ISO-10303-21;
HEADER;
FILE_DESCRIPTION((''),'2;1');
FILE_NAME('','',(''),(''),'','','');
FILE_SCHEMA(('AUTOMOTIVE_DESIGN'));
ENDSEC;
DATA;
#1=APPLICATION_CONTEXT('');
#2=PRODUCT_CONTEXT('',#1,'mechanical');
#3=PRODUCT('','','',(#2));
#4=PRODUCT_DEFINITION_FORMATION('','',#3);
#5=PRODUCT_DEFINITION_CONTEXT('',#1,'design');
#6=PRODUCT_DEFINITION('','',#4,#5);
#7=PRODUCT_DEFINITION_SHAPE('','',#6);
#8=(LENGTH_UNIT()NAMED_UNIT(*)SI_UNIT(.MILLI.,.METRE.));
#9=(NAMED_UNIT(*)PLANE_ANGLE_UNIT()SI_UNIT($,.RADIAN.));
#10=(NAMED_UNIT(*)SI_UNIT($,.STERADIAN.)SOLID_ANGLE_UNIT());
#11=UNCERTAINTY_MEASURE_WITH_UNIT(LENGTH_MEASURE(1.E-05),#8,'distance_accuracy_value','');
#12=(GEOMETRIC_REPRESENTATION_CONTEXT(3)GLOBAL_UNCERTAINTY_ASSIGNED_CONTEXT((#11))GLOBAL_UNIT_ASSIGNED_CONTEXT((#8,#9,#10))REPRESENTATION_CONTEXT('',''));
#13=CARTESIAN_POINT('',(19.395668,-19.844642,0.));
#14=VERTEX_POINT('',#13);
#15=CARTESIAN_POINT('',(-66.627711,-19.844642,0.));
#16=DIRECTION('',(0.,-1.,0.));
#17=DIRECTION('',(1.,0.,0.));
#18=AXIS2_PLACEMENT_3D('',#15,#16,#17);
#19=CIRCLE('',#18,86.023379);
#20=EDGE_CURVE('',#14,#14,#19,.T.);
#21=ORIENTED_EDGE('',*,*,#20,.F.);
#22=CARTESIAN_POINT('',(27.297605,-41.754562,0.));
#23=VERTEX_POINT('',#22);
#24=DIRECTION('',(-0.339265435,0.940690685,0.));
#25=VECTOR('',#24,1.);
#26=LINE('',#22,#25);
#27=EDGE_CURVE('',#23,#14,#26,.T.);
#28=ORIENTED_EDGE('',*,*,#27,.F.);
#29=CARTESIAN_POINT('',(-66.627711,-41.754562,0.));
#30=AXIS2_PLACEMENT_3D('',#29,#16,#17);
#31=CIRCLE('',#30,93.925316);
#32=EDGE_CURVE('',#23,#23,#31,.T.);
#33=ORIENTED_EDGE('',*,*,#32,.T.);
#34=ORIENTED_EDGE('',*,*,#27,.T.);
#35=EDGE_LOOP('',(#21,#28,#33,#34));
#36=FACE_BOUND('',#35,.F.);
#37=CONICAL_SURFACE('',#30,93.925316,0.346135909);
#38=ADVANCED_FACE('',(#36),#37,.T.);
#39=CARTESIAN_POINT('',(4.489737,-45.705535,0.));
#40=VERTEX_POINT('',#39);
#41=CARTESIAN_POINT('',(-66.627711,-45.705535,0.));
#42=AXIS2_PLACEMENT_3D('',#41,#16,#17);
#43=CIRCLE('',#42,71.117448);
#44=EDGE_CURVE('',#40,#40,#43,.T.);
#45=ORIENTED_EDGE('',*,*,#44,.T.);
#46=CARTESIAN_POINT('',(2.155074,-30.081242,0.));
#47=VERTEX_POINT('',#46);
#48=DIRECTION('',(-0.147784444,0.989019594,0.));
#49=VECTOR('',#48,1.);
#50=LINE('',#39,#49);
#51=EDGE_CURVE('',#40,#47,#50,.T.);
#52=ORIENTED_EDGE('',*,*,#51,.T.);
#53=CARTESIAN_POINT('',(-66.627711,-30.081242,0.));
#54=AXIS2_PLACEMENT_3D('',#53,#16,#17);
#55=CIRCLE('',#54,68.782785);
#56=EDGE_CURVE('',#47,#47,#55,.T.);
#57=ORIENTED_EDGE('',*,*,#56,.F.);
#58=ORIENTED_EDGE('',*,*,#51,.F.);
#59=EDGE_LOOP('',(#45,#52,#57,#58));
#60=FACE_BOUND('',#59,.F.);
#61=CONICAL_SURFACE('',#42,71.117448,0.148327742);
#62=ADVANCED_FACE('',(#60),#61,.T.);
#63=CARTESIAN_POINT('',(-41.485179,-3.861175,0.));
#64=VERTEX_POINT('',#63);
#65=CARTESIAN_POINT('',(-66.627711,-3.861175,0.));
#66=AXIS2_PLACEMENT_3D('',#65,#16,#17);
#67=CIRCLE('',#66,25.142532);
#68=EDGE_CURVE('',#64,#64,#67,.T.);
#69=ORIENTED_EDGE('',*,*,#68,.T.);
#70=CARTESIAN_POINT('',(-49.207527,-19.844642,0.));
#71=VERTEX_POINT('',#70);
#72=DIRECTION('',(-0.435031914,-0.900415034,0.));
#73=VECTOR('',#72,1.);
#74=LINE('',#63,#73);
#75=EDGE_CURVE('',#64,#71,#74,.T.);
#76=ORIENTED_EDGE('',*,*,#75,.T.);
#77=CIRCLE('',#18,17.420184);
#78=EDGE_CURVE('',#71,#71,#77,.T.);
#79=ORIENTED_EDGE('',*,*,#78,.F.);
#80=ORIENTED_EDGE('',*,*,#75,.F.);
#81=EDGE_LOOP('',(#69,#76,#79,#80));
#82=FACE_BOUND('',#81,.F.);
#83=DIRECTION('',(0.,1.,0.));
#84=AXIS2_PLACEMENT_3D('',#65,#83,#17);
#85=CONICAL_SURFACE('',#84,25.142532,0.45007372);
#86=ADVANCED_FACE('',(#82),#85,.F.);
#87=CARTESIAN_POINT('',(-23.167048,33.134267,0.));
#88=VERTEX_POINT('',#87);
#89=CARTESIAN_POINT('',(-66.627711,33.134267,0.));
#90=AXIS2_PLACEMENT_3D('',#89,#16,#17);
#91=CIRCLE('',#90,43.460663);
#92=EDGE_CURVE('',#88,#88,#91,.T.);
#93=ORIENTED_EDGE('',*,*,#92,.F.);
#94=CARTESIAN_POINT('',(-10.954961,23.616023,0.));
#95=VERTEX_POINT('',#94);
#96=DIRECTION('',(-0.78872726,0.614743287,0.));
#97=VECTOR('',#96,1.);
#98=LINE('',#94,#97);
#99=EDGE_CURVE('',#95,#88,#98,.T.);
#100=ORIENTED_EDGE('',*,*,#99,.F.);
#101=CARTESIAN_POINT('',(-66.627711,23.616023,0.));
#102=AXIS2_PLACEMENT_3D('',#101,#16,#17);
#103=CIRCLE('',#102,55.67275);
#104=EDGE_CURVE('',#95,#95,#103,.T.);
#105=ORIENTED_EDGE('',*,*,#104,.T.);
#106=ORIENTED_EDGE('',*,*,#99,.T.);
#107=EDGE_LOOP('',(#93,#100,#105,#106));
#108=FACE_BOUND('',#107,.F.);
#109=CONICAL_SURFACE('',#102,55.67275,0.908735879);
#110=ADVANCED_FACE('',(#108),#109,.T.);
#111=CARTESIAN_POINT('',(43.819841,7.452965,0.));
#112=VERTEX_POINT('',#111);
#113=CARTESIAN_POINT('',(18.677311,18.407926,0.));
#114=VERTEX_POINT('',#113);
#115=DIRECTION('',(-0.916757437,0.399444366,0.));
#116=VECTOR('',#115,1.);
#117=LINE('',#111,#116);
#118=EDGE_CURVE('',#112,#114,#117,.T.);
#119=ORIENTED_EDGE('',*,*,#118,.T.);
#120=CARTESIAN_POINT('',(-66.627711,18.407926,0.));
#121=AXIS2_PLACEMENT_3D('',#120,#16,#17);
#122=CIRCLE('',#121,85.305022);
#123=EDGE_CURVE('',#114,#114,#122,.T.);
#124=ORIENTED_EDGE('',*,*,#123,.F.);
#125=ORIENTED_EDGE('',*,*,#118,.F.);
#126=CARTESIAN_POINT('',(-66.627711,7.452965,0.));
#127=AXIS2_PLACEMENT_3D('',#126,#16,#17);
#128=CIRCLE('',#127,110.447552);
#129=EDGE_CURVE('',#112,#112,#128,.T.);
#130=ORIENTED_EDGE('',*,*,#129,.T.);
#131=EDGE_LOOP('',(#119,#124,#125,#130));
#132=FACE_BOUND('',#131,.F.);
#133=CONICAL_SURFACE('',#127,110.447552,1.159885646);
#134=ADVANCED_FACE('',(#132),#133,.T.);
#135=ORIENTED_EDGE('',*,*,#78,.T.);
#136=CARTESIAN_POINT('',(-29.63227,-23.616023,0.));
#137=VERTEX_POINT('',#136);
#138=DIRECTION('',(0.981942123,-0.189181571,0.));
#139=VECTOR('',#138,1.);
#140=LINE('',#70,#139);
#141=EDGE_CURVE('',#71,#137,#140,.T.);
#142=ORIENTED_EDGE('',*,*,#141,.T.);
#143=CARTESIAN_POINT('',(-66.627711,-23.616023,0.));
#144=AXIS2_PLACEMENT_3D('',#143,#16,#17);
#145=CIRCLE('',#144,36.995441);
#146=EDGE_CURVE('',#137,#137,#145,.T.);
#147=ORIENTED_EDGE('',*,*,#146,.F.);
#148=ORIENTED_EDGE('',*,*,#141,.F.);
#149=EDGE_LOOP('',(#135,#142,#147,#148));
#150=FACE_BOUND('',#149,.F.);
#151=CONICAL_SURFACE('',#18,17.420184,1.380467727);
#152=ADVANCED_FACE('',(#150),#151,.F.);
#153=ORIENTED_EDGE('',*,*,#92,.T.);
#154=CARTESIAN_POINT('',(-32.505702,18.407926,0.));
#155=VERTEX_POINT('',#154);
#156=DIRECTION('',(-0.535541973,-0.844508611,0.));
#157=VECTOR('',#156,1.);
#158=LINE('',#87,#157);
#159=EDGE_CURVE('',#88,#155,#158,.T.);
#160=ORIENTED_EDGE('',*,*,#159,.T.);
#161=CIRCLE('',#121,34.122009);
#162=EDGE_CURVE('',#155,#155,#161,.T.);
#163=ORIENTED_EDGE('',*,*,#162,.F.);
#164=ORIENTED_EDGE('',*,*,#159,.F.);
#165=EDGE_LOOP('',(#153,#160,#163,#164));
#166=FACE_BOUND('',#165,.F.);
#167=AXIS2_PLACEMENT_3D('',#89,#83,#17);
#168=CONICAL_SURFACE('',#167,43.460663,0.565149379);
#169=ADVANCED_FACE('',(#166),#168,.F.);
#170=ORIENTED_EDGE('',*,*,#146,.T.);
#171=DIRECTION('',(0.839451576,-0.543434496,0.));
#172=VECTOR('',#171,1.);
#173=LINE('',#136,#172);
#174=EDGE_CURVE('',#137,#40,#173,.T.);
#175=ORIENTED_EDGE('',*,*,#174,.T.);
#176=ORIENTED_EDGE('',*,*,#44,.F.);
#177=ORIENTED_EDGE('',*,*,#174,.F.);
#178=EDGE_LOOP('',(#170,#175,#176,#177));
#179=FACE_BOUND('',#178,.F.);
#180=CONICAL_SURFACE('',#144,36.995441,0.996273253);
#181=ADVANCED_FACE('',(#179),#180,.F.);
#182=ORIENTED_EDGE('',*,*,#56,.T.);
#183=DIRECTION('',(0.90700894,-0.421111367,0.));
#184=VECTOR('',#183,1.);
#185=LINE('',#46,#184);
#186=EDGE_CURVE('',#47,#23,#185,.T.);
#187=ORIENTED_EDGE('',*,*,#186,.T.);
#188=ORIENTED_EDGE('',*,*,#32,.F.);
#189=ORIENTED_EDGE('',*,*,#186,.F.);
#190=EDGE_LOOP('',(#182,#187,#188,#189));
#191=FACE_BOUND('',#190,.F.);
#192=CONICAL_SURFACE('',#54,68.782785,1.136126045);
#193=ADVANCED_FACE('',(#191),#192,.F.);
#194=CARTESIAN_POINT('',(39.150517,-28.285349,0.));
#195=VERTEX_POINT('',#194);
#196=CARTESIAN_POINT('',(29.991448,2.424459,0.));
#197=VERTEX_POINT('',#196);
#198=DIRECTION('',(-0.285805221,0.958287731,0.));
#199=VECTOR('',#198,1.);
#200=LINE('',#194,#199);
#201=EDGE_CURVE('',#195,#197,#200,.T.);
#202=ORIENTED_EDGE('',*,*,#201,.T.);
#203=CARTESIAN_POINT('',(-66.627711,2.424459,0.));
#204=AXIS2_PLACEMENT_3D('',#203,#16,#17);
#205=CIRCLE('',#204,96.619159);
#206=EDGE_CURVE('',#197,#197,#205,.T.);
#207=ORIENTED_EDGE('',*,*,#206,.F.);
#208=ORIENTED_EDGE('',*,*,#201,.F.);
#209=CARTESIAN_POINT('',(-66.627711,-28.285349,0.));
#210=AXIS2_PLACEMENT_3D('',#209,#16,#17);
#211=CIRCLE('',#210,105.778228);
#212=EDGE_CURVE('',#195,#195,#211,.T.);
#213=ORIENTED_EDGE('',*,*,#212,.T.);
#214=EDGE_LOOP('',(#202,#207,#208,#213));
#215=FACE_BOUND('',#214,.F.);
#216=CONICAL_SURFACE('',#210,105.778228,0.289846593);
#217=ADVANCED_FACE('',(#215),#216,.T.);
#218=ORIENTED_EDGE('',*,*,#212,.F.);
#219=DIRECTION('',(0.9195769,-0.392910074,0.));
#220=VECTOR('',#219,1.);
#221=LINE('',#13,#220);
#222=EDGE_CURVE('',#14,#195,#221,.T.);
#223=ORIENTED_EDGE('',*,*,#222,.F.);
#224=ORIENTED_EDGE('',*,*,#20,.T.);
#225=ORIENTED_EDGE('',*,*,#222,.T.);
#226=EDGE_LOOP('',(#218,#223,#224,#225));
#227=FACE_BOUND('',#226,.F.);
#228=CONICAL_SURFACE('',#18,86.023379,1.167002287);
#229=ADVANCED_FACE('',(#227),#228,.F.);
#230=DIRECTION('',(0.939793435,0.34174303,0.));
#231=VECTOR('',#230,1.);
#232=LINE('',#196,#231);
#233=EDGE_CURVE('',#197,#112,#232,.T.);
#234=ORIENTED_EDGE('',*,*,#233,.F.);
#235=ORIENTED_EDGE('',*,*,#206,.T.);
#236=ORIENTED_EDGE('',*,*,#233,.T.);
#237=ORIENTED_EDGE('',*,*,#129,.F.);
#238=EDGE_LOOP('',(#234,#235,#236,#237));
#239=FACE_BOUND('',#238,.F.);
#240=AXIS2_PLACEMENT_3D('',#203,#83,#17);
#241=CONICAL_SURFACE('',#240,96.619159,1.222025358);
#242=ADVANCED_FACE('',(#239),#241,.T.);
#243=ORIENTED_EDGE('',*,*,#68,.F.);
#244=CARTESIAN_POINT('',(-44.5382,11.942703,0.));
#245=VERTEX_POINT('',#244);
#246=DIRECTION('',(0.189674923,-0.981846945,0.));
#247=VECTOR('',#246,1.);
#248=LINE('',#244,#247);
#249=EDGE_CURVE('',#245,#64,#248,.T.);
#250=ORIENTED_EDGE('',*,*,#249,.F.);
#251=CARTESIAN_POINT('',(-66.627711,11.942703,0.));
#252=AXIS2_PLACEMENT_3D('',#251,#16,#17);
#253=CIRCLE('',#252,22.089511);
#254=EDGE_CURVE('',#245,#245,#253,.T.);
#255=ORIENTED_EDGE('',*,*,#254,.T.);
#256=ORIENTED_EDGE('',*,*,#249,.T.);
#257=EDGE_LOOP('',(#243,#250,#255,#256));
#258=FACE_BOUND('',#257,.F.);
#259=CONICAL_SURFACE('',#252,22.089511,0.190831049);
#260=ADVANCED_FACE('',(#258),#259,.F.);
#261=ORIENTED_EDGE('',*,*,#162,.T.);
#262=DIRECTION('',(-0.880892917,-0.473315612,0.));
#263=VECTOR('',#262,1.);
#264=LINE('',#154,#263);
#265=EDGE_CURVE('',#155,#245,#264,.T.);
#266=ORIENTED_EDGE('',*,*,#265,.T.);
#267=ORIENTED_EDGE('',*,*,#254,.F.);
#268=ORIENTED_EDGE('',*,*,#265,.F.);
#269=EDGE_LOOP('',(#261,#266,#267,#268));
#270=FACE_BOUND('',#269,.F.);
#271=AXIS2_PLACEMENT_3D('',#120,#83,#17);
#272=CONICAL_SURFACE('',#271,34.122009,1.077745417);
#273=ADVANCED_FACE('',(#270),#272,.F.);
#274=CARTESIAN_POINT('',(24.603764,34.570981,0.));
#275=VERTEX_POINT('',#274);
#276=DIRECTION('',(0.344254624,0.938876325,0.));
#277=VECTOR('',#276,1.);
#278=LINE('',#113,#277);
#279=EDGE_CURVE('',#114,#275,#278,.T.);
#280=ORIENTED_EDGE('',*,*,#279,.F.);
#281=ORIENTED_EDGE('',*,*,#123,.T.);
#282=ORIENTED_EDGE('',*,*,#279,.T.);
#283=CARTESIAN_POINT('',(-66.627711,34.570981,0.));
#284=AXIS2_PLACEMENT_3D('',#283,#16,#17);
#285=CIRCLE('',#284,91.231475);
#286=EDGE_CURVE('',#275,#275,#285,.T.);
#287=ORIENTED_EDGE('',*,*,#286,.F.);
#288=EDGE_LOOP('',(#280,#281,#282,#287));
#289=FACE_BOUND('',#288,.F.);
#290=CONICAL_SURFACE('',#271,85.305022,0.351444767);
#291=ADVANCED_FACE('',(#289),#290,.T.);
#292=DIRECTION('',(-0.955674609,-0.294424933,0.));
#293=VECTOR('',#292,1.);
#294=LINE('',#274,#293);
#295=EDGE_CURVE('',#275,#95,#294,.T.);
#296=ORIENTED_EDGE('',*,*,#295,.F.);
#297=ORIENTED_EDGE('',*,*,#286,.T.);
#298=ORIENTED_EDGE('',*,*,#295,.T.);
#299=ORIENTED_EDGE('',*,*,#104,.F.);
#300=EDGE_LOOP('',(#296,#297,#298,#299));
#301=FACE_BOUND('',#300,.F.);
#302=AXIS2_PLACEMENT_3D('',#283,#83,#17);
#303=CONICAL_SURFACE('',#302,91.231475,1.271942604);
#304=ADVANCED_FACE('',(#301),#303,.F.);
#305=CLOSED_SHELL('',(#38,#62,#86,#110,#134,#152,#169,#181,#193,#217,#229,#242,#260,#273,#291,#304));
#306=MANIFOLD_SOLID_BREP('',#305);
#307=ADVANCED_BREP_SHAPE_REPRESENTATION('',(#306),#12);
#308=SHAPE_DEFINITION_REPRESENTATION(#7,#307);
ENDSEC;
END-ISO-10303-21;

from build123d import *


with BuildPart() as f1:
    # F0 (on Top) → F1 (revolve)
    with BuildSketch(Plane.XY):
        Polygon((-32.505702, 18.407926), (-44.5382, 11.942703), (-41.485179, -3.861175), (-49.207527, -19.844642), (-29.63227, -23.616023), (4.489737, -45.705535), (2.155074, -30.081242), (27.297605, -41.754562), (19.395668, -19.844642), (39.150517, -28.285349), (29.991448, 2.424459), (43.819841, 7.452965), (18.677311, 18.407926), (24.603764, 34.570981), (-10.954961, 23.616023), (-23.167048, 33.134267), align=None)
    revolve(axis=Axis((-66.627711, -3.77138, 0), (0, -1, 0)))


solid = f1.part
